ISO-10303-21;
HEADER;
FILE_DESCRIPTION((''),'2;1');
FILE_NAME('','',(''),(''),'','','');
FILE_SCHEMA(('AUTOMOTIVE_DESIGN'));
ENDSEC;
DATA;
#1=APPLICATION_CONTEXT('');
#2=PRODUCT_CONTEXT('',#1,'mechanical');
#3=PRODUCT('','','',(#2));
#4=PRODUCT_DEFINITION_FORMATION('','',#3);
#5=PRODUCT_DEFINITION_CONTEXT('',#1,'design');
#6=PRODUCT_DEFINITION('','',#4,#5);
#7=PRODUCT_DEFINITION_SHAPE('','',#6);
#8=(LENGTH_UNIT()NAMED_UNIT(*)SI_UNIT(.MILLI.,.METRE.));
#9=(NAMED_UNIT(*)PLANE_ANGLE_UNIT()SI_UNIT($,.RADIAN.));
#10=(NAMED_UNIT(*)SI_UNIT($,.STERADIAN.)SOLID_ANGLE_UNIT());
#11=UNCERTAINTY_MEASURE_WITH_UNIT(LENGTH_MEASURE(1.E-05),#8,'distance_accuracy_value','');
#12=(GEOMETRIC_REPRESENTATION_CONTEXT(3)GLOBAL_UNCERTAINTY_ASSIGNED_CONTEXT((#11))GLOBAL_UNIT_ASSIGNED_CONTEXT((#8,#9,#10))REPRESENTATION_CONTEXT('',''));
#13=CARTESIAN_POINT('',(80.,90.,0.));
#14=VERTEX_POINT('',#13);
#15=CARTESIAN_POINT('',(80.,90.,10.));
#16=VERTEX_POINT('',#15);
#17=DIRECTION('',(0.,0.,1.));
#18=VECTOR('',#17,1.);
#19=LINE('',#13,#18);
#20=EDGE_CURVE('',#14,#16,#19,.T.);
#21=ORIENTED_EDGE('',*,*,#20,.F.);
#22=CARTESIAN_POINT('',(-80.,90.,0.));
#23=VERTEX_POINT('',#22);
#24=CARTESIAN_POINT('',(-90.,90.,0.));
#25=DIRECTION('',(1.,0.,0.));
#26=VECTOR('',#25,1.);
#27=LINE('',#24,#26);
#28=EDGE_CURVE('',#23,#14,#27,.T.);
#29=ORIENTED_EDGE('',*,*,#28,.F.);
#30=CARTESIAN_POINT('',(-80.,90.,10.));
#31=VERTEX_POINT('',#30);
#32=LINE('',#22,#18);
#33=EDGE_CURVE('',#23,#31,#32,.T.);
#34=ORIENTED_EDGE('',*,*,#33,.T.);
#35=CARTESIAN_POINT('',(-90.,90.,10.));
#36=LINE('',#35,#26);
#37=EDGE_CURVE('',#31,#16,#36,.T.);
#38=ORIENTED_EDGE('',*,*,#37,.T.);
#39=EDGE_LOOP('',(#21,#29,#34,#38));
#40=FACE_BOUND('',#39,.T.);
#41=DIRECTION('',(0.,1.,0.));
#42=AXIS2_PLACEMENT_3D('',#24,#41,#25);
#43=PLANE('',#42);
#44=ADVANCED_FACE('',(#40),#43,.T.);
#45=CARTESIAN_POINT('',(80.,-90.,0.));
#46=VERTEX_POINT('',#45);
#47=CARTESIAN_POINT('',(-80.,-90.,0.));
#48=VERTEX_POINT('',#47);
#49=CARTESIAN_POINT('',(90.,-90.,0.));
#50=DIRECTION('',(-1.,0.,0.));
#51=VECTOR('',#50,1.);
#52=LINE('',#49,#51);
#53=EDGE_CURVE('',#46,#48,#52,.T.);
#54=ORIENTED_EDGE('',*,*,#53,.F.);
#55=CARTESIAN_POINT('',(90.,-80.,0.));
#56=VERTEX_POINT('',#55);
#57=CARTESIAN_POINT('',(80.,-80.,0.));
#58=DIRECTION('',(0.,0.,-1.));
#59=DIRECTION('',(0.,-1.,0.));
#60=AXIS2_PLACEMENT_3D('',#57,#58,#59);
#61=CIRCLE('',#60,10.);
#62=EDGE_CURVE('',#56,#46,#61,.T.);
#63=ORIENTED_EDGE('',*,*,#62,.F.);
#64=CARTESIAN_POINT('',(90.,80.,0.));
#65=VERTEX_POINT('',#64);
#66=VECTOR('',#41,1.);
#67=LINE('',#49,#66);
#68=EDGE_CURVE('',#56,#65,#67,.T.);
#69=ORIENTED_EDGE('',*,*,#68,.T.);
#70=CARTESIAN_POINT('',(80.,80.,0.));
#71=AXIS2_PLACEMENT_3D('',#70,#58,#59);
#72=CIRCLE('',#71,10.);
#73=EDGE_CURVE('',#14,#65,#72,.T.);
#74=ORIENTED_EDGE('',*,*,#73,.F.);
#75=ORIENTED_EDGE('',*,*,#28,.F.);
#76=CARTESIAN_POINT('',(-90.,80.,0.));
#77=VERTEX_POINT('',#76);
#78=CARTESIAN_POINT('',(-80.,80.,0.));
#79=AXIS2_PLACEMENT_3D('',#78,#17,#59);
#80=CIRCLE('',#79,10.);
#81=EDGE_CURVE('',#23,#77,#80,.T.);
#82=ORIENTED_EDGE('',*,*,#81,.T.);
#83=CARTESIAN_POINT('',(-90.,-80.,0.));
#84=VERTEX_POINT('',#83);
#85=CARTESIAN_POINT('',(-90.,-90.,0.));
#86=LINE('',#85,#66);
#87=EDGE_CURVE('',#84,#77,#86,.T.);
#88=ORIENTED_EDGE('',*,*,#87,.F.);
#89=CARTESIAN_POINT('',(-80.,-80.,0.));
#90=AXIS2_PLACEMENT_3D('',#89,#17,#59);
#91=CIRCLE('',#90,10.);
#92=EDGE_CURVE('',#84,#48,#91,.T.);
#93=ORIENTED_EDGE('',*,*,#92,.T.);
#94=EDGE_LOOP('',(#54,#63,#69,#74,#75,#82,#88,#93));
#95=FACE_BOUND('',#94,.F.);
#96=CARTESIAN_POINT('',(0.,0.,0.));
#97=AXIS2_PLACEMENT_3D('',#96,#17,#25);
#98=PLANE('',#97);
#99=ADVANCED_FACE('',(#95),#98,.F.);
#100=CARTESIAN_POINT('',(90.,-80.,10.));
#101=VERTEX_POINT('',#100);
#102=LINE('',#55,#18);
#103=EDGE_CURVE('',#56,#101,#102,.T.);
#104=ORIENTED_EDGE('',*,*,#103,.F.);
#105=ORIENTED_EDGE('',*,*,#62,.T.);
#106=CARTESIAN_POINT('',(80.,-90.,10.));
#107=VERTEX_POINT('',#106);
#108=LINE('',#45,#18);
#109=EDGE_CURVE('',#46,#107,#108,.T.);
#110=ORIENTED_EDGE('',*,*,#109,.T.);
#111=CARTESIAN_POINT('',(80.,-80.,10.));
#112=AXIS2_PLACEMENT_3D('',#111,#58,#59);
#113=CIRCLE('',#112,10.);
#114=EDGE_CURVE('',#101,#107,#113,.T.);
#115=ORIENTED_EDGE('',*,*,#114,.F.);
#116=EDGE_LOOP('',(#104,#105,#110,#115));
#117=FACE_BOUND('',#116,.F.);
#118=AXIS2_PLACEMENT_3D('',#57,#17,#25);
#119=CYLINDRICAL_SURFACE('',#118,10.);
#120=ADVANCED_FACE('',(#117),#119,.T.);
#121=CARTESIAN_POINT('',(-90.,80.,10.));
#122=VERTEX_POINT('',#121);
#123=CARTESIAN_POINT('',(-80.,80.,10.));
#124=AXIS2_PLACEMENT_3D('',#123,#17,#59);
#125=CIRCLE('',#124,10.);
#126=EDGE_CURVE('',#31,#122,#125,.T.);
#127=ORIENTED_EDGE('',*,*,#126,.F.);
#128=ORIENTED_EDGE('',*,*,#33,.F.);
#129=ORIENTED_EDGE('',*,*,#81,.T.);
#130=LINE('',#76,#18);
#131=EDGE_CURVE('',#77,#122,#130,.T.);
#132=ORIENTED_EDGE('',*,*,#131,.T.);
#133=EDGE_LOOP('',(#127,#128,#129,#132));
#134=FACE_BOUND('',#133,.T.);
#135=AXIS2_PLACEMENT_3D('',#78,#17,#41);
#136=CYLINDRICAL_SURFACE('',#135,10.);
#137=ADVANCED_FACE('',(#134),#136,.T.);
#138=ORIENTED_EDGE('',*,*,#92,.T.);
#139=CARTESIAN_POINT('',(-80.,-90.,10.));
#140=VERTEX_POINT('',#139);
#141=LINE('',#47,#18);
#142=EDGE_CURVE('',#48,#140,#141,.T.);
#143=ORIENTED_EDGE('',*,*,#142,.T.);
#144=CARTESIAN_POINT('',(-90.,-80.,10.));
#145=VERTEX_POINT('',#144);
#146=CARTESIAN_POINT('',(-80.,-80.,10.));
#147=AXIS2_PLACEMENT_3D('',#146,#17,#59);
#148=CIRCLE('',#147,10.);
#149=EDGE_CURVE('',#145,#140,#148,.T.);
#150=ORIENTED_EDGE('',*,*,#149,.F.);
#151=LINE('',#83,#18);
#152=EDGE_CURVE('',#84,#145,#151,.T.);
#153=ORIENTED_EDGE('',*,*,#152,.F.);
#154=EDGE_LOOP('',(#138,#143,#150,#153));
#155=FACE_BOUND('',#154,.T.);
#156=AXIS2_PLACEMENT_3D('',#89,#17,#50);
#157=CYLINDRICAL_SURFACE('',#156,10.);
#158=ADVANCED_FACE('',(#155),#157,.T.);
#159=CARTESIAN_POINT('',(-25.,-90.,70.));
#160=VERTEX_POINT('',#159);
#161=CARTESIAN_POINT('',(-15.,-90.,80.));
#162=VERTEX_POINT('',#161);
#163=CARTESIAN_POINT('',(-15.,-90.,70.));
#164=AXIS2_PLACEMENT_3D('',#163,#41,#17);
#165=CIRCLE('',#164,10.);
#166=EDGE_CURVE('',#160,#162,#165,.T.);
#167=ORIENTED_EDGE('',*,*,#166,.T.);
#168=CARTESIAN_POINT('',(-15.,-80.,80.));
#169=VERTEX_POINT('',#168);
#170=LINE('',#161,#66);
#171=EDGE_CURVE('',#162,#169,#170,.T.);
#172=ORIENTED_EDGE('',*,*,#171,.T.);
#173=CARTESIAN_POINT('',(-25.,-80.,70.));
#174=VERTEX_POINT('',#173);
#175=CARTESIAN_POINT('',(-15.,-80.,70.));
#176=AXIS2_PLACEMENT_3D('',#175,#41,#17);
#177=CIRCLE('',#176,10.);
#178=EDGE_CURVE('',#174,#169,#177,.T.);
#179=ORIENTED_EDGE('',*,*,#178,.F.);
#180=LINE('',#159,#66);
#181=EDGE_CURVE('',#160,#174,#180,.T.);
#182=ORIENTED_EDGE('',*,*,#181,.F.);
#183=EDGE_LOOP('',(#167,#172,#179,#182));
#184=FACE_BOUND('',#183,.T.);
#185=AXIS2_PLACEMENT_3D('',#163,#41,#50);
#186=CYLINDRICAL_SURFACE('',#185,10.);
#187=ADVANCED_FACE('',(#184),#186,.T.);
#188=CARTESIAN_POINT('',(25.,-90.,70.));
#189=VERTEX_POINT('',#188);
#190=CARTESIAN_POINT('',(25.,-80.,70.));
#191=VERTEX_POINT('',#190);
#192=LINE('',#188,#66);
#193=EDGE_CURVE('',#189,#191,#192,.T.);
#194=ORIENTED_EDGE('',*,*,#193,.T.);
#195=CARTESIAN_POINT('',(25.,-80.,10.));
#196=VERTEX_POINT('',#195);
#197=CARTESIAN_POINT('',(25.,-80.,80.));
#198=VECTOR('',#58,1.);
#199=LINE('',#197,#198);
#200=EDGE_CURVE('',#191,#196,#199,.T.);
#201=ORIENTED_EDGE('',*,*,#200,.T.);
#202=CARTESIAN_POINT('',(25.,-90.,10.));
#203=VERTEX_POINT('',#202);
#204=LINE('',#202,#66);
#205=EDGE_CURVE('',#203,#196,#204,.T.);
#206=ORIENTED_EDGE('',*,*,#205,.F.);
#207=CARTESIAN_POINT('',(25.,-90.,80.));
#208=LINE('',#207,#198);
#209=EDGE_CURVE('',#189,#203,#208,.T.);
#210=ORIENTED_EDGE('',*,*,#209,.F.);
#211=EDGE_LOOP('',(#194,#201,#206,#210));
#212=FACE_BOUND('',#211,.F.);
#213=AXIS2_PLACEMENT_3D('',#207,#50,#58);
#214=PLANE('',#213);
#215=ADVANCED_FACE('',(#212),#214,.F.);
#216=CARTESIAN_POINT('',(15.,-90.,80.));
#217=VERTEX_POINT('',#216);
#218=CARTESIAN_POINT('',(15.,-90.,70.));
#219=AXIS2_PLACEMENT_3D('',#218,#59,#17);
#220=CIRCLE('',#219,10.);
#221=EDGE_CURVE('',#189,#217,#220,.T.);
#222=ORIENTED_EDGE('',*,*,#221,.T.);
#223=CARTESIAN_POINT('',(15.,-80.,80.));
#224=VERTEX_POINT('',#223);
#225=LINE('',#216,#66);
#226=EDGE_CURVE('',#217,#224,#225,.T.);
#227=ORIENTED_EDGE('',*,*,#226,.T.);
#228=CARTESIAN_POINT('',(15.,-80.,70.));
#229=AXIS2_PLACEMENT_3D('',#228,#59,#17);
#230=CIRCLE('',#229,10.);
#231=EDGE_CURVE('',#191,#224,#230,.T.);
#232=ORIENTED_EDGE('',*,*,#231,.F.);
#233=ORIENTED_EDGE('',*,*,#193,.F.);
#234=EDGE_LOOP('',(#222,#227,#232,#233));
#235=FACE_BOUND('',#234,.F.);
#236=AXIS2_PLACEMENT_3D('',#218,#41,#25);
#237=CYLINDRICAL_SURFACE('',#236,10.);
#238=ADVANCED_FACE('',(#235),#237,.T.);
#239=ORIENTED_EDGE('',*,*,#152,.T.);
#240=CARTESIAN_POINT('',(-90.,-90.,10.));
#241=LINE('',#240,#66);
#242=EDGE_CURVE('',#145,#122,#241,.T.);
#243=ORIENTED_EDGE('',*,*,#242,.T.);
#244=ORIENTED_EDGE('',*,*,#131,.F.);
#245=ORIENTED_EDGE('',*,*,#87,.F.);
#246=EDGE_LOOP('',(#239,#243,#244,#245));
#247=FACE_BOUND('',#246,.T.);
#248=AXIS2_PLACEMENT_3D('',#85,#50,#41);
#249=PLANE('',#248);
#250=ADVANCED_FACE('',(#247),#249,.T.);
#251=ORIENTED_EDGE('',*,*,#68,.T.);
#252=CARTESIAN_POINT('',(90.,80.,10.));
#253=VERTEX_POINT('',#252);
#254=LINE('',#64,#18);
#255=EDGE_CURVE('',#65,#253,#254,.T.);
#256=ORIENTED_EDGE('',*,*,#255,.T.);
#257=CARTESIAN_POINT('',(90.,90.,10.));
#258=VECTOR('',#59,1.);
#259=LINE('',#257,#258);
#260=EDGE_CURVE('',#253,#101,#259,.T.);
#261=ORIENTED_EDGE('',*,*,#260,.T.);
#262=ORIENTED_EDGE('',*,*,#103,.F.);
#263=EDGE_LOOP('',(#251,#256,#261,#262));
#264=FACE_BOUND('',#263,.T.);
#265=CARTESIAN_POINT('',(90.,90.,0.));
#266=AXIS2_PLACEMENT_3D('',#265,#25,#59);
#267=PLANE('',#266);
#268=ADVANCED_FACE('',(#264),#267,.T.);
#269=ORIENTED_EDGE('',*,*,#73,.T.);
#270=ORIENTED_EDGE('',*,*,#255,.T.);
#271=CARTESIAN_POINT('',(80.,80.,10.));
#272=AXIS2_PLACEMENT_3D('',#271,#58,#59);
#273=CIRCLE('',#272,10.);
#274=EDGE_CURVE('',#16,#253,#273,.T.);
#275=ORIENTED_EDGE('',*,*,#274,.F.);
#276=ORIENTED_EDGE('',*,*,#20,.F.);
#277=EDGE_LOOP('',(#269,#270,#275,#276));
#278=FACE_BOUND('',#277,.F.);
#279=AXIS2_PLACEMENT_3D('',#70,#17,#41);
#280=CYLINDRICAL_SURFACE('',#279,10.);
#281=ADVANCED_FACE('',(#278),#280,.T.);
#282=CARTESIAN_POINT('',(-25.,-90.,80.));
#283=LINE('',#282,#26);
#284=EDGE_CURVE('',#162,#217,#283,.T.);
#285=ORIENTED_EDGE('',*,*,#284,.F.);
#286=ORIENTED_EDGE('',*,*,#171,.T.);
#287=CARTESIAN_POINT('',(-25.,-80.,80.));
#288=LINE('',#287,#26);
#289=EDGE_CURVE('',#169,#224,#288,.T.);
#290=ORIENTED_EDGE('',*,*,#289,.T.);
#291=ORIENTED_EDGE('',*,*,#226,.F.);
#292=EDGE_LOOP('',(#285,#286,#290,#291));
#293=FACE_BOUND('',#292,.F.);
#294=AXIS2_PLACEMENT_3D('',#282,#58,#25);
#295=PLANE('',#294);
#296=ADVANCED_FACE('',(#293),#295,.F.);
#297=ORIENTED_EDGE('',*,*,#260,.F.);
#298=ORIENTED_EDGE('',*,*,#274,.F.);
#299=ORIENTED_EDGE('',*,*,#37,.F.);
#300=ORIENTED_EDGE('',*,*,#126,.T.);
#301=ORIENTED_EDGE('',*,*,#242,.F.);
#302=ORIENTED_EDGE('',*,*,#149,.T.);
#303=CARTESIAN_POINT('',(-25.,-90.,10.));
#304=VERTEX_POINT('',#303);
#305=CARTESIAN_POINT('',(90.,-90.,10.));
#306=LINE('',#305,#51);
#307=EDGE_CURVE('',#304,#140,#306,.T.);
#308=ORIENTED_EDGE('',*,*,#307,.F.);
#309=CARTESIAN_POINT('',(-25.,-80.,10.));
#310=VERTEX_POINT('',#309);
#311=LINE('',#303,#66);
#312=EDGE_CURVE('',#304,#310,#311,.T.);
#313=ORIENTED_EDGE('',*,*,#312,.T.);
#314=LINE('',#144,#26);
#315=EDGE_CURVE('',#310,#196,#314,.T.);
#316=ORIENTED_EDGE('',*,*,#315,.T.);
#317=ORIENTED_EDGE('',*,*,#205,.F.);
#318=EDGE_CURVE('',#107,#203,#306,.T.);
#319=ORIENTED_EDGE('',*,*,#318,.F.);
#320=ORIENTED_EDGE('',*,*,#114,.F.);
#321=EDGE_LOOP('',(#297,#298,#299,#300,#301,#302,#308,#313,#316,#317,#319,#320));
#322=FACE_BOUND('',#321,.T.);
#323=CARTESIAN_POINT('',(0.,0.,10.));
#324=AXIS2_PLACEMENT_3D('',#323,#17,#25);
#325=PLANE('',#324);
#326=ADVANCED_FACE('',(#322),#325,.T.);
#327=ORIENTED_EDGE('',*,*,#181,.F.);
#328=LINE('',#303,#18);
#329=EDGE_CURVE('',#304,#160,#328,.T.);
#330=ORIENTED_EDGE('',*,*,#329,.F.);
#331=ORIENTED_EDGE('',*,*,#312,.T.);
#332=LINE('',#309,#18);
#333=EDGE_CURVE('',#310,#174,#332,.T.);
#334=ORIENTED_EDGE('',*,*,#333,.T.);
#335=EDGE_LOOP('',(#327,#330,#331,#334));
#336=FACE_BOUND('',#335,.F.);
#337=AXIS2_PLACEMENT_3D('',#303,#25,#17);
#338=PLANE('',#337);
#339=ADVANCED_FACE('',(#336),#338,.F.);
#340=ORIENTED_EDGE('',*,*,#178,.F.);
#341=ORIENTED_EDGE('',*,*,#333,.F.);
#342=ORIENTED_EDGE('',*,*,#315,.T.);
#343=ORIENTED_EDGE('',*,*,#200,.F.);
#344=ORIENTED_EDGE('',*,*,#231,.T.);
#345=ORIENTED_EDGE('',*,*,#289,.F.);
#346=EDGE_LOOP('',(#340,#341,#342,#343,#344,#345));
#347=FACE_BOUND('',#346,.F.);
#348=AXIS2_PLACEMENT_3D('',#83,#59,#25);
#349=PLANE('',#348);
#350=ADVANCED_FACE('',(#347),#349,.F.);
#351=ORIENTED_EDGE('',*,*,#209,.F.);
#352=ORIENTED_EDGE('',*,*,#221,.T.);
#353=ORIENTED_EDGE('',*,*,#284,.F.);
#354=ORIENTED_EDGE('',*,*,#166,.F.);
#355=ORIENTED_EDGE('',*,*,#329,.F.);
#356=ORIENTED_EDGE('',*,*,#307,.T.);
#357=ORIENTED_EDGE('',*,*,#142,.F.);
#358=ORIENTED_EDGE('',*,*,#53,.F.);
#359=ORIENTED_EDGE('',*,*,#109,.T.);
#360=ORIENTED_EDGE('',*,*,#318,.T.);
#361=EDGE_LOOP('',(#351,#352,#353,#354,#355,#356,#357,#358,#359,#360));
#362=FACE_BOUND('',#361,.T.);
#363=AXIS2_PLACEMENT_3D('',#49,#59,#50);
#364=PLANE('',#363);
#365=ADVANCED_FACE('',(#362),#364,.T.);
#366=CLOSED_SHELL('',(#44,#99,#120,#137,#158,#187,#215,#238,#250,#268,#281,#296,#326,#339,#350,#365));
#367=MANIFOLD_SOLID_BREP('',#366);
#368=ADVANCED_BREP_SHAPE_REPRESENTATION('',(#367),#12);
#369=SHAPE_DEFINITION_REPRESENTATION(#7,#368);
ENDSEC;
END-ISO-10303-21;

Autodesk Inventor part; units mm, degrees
ref_plane "YZ Plane" through (0, 0, 0) normal (1, 0, 0) x (0, 1, 0)
ref_plane "XZ Plane" through (0, 0, 0) normal (0, 1, 0) x (-1, 0, 0)
ref_plane "XY Plane" through (0, 0, 0) normal (0, 0, 1) x (1, 0, 0)
sketch "Sketch1" plane through (0, 0, 0) normal (0, 0, 1) x (1, 0, 0)
  line L0 (-90, 90) -> (90, 90)
  line L1 (90, 90) -> (90, -90)
  line L2 (90, -90) -> (-90, -90)
  line L3 (-90, -90) -> (-90, 90)
  line L4 (90, 40) -> (165, 40)
  line L5 (165, 40) -> (165, -40)
  line L6 (165, -40) -> (90, -40)
  line L7 (90, -40) -> (90, 40)
  point P0 (0, 0)
  point P1 (-90, 0)
  point P2 (165, 0)
  point P3 (90, 0)
  point P4 (90, -40)
  dimension "d0" = 90
  dimension "d1" = 180
  dimension "d2" = 180
  dimension "d29" = 75
  dimension "d30" = 80
extrude "Extrusion1" add sketch "Sketch1" along normal blind 10 contours L0 L1 L2 L3
sketch "Sketch3" plane through (-90, -90, 0) normal (0, -1, 0) x (1, 0, 0)
  line L0 (0, 0) -> (180, 0) projected
  line L1 (180, 0) -> (180, 10) projected
  line L2 (0, 10) -> (180, 10) projected
  line L3 (0, 0) -> (0, 10) projected
  line L4 (65, 10) -> (65, 80)
  line L5 (65, 80) -> (115, 80)
  line L6 (115, 80) -> (115, 10)
  line L7 (0, 10) -> (180, 10) projected
  point P0 (90, 0)
  point P1 (90, 80)
  point P2 (90, 10)
  dimension "d22" = 70
  dimension "d23" = 50
extrude "Extrusion4" add sketch "Sketch3" against normal blind 10 contours L4 L5 L6 L2
fillet "Fillet4" radius 10 6 edges at (-90, 90, 5) (90, 90, 5) (-90, -90, 5) (90, -90, 5) (-25, -85, 80) (25, -85, 80)
sketch "Sketch4" plane through (90, -40, 0) normal (0, -1, 0) x (1, 0, 0)
  line L0 (0, 0) -> (75, 0) projected
  line L1 (75, 0) -> (75, 10) projected
  line L2 (0, 10) -> (75, 10) projected
  line L3 (0, 0) -> (0, 10) projected
  line L4 (75, 10) -> (62.895, 55.1764)
  arc A0 (62.895, 55.1764) -> (27.3654, 61.7133) centre (43.5765, 50) ccw
  line L5 (0, 10) -> (-10, 10)
  line L6 (-10, 10) -> (27.3654, 61.7133)
  point P0 (-90, 0)
  dimension "d31" = 75
  dimension "d32" = 20
  dimension "d33" = 40
  dimension "d36" = 10
equation "\"d0\" = 0.5 * d1"
equation "\"d24\" = d3"
equation "\"d3\" = 10"
properties part number "PWTR-0082" material "Aluminum 6061"
